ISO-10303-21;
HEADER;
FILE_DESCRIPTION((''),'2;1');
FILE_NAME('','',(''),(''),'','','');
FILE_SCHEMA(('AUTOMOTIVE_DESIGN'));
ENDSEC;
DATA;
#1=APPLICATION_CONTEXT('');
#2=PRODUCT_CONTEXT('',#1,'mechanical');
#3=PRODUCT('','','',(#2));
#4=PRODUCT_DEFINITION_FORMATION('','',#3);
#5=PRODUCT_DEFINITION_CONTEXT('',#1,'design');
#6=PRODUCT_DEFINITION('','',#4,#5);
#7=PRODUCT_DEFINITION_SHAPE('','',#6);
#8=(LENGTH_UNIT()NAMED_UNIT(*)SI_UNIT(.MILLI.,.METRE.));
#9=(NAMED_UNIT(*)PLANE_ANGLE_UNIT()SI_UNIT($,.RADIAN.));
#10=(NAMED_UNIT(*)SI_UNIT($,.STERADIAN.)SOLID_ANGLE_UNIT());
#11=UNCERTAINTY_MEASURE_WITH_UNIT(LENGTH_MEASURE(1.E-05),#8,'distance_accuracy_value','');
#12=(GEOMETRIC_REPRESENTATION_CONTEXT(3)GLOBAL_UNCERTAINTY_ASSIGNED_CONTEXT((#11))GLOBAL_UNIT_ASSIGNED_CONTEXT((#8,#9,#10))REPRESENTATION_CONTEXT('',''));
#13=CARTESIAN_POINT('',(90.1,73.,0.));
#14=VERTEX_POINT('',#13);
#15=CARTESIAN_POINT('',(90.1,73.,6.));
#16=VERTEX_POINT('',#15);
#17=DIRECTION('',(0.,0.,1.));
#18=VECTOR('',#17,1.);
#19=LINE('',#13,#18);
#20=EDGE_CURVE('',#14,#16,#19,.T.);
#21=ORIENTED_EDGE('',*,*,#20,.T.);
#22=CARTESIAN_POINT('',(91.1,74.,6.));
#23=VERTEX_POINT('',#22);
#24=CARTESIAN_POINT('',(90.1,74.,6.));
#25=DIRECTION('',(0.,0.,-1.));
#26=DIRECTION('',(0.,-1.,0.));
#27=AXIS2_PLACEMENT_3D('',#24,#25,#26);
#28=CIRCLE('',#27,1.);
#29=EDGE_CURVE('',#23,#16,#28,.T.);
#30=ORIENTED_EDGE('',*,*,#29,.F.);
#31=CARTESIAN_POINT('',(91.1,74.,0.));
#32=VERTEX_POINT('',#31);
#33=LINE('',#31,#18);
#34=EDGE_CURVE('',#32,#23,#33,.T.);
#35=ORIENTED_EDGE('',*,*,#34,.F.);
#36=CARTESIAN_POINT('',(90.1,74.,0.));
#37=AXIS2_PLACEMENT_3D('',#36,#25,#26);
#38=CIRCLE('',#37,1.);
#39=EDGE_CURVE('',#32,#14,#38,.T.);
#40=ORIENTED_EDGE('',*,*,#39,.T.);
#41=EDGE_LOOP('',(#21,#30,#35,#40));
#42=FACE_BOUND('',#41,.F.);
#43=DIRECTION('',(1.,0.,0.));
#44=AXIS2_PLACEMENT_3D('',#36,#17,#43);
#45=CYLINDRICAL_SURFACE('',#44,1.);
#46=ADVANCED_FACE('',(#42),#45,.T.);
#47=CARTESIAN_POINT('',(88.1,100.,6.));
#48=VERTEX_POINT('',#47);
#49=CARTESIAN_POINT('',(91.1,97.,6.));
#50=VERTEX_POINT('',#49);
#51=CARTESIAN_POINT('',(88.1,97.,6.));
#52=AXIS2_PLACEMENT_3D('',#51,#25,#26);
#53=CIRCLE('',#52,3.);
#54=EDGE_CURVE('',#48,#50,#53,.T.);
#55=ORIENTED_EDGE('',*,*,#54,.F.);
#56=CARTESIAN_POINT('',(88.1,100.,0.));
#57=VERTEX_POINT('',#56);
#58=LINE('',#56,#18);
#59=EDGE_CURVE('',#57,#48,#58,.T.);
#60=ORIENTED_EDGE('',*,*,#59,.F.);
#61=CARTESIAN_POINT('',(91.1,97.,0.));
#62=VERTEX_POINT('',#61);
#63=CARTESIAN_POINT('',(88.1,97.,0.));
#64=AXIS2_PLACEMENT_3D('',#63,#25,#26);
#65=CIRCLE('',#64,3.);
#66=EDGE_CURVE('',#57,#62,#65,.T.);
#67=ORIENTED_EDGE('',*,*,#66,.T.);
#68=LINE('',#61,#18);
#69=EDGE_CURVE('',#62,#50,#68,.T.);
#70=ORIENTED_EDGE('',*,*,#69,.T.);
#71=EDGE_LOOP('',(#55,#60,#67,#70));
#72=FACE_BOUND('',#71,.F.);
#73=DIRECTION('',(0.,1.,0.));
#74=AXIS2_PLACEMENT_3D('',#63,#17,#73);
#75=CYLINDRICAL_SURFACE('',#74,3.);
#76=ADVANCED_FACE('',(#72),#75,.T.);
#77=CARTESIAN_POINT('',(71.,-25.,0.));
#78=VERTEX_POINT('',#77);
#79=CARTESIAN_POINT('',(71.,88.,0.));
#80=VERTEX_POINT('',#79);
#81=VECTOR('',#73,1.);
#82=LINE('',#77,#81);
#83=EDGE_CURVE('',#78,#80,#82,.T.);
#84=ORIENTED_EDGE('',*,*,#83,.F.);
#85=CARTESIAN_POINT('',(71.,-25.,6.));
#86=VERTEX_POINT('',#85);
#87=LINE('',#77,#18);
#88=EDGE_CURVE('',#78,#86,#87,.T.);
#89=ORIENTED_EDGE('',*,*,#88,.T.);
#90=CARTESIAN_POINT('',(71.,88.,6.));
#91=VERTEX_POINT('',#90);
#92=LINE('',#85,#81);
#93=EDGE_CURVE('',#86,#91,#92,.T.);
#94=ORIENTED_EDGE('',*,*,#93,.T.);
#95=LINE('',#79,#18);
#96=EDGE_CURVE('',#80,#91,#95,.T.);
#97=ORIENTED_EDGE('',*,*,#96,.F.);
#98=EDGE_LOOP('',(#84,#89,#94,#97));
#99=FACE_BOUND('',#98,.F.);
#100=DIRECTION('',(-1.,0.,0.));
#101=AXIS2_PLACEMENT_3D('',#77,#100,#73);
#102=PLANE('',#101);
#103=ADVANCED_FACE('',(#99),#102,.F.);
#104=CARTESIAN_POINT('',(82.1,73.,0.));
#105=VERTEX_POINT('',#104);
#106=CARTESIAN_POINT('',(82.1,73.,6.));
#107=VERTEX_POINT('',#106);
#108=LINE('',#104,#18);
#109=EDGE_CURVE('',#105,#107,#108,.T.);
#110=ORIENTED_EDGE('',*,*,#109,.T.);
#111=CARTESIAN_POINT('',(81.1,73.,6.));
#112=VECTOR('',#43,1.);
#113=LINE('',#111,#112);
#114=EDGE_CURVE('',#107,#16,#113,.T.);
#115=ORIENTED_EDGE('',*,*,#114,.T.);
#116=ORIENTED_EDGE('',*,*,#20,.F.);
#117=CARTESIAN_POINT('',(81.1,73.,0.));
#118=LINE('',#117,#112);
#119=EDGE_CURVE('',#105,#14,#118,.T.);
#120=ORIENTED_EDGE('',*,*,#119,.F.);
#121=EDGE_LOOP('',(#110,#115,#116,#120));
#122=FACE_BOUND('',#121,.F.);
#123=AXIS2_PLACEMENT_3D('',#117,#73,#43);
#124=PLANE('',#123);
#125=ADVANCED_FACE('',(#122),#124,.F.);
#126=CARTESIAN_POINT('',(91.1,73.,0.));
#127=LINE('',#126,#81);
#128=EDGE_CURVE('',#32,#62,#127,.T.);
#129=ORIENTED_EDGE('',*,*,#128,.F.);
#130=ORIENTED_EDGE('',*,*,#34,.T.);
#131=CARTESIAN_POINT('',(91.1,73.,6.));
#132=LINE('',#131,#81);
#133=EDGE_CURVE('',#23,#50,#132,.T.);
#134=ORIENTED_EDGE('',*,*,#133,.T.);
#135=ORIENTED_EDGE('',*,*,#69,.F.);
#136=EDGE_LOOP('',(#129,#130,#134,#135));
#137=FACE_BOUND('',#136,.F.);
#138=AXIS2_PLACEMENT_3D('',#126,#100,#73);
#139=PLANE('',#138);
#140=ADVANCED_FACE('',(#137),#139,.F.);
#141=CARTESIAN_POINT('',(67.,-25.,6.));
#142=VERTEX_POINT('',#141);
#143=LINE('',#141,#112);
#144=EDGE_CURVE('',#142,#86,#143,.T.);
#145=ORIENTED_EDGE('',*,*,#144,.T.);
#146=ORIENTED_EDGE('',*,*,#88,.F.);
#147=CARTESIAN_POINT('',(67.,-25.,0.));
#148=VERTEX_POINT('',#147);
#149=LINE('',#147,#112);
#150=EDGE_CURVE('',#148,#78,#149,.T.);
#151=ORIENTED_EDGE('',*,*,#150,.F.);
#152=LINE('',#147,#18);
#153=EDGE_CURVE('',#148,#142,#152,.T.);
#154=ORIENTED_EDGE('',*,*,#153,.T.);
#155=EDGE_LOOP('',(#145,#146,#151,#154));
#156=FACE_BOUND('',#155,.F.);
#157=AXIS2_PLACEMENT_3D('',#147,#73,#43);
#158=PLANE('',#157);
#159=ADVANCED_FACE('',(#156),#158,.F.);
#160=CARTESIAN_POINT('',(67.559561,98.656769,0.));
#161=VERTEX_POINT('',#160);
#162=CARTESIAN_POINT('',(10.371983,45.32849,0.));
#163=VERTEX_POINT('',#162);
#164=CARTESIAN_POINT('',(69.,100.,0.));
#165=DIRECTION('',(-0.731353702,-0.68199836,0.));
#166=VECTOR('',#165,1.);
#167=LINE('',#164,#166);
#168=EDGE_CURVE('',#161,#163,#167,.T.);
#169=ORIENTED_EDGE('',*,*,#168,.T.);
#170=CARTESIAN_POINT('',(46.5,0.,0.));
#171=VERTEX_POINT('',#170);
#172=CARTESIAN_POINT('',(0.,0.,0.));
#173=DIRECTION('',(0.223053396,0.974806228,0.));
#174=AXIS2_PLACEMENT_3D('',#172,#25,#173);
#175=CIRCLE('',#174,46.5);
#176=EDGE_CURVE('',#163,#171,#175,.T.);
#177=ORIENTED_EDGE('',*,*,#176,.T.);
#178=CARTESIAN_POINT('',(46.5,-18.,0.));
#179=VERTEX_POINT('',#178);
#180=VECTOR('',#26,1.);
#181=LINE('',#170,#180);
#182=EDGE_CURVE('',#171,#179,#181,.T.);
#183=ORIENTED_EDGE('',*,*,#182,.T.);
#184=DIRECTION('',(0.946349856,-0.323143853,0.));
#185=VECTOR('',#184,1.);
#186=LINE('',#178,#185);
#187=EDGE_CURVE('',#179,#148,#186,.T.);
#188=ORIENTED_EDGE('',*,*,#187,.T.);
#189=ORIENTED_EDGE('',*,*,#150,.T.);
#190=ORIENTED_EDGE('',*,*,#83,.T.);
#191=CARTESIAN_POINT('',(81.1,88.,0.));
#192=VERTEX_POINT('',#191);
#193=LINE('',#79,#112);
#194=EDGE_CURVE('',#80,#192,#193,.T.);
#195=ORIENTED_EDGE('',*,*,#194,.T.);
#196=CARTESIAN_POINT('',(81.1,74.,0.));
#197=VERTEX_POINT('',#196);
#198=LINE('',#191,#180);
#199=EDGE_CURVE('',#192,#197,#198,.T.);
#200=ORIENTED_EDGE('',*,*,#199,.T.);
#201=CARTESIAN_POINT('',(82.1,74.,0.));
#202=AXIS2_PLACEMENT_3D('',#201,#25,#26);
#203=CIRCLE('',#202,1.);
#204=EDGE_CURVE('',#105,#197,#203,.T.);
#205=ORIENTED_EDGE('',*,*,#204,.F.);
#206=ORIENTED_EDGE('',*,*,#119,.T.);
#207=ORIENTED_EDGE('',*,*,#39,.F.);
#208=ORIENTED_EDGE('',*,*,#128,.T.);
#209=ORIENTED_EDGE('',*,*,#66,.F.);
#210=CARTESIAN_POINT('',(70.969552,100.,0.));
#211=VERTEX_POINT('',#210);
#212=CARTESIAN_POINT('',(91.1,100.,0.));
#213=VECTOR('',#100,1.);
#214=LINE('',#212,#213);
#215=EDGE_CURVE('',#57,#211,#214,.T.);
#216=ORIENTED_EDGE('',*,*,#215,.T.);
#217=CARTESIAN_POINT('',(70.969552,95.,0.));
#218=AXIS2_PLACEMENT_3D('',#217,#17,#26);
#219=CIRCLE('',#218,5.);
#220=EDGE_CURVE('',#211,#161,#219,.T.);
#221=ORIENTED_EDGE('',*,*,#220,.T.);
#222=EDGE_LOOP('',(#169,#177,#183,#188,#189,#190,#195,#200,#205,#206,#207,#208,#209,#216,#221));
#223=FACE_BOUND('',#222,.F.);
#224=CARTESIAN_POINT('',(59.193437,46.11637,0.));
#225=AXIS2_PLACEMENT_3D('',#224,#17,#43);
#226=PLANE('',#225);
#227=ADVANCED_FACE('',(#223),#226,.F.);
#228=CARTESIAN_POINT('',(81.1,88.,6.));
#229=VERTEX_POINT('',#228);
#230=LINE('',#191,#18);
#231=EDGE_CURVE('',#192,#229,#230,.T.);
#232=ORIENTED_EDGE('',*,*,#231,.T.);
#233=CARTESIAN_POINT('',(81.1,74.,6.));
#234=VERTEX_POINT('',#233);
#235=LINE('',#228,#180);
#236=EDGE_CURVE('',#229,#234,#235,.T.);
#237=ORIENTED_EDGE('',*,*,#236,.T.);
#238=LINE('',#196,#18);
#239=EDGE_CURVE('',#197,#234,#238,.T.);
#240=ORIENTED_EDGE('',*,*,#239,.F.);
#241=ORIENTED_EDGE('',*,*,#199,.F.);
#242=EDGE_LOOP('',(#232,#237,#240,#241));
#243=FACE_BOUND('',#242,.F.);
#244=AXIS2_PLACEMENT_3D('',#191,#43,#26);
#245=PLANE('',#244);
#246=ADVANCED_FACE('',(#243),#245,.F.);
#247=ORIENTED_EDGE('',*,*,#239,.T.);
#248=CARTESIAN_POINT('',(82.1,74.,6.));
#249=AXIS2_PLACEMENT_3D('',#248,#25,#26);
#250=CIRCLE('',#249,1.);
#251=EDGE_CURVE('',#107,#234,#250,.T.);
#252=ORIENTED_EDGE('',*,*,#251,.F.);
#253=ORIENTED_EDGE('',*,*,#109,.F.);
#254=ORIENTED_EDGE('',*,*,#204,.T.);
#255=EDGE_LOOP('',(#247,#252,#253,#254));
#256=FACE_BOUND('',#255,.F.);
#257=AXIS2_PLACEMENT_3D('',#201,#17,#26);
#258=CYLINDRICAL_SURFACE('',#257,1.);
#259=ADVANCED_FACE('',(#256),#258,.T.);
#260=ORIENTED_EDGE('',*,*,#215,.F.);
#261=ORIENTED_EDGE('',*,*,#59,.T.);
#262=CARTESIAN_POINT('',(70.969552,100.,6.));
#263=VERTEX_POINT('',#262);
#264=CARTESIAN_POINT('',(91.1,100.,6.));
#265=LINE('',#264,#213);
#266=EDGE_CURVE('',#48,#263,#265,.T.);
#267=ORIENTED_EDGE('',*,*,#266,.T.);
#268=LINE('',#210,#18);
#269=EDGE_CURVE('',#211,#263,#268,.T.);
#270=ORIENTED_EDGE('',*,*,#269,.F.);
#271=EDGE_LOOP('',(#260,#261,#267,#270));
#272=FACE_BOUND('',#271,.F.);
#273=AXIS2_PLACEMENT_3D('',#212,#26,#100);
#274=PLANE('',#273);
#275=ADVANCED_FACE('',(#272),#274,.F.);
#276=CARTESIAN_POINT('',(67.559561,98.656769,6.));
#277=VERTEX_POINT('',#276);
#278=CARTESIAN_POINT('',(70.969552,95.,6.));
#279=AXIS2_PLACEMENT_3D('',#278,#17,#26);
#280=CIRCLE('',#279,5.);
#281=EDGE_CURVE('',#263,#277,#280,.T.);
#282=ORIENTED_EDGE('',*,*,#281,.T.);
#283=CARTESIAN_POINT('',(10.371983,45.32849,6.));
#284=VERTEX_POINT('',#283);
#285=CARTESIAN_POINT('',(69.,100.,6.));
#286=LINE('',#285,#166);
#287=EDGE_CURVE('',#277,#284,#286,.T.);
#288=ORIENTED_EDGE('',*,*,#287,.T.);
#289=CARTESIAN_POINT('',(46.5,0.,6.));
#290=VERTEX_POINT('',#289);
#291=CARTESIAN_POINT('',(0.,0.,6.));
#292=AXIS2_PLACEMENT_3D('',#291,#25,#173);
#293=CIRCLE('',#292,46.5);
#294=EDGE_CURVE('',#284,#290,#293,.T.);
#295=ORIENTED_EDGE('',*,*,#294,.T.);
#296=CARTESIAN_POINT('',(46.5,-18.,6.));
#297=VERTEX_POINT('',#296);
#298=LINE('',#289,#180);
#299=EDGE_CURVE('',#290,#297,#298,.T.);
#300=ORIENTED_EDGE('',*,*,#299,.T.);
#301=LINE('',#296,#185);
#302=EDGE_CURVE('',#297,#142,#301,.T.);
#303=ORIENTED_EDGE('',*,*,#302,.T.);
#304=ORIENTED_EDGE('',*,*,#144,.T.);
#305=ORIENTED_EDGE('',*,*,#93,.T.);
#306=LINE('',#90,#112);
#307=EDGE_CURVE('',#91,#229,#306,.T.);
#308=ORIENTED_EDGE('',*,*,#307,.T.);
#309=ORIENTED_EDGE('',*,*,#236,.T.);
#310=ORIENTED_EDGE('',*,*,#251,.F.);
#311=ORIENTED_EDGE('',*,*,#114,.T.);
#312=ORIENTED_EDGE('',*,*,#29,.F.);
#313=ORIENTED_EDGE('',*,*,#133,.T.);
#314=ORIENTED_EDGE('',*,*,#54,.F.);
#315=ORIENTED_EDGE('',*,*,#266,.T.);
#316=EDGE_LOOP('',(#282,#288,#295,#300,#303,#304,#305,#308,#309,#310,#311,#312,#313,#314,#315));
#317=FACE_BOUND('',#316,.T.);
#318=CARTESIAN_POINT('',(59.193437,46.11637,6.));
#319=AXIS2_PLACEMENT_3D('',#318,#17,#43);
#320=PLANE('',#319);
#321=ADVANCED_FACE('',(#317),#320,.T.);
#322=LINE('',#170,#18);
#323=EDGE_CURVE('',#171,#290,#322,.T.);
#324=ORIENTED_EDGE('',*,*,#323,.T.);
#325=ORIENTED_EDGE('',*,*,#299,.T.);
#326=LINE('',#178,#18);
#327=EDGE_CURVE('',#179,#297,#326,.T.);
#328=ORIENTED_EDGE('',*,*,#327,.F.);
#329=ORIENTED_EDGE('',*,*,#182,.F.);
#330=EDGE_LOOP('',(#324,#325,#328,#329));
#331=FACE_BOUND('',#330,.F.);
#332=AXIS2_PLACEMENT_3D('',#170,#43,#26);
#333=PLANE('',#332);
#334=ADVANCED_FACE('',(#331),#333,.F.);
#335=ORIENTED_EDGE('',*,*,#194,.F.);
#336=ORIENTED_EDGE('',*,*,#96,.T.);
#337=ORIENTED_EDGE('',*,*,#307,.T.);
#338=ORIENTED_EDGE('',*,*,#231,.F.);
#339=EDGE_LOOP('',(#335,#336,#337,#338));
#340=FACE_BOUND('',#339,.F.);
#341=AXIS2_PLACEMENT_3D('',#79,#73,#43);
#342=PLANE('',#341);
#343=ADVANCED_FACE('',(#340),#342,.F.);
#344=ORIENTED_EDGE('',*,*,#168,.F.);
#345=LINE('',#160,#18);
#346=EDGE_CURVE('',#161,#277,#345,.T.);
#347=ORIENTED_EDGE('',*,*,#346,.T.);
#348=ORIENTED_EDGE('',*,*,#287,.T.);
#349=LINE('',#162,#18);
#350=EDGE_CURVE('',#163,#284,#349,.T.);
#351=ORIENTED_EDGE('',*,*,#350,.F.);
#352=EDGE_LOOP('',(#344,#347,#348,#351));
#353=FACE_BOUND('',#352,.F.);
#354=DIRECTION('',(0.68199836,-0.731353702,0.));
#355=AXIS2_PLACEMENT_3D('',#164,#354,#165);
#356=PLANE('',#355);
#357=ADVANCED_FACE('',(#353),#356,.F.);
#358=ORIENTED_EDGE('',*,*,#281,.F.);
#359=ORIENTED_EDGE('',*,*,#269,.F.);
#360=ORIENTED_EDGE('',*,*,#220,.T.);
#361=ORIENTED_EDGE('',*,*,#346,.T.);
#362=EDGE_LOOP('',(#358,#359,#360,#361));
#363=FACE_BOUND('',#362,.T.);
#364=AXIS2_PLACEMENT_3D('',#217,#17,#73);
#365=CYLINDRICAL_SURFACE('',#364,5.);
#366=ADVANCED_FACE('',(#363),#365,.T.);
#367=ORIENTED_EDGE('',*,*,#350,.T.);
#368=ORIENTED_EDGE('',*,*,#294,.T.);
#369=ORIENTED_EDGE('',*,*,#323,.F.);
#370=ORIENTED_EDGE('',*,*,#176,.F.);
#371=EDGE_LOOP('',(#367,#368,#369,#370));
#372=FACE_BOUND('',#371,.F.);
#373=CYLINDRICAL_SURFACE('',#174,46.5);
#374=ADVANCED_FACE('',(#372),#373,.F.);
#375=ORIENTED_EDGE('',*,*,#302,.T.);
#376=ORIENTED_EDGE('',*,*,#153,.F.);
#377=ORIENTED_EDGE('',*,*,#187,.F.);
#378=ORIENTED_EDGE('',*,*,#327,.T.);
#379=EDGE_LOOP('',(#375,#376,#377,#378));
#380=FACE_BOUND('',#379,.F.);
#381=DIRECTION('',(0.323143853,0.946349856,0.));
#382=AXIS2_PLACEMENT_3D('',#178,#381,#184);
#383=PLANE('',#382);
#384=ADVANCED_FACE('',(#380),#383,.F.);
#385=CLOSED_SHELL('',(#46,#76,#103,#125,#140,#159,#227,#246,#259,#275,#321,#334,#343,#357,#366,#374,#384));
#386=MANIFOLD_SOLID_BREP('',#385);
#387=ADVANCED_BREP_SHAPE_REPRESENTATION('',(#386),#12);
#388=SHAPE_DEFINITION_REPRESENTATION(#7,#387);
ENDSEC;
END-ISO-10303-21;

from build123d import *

# Parameters (mm, degrees)
BOSS_EXTRU_1_DEPTH = 6
FILLET1_R          = 5
FILLET1_2_R        = 3
FILLET1_3_R        = 1


with BuildPart() as part:
    # Esquisse1 → Boss.-Extru.1 (new body)
    with BuildSketch(Plane.XY):
        with BuildLine():
            Line((46.5, 0), (46.5, -18))
            Line((46.5, -18), (67, -25))
            Line((67, -25), (71, -25))
            Line((71, -25), (71, 88))
            Line((71, 88), (81.1, 88))
            Line((81.1, 88), (81.1, 73))
            Line((81.1, 73), (91.1, 73))
            Line((91.1, 73), (91.1, 100))
            Line((91.1, 100), (69, 100))
            Line((69, 100), (10.371982926, 45.328489608))
            ThreePointArc((10.371982926, 45.328489608), (36.363080219, 28.982346298), (46.5, 0))
        make_face()
    extrude(amount=BOSS_EXTRU_1_DEPTH)

    # Fillet1
    fillet1_edges = [part.edges().sort_by_distance(p)[0] for p in [
        (69, 100, 3),
    ]]
    fillet(fillet1_edges, radius=FILLET1_R)

    # Fillet1 2
    fillet1_2_edges = [part.edges().sort_by_distance(p)[0] for p in [
        (91.1, 100, 3),
    ]]
    fillet(fillet1_2_edges, radius=FILLET1_2_R)

    # Fillet1 3
    fillet1_3_edges = [part.edges().sort_by_distance(p)[0] for p in [
        (91.1, 73, 3),
        (81.1, 73, 3),
    ]]
    fillet(fillet1_3_edges, radius=FILLET1_3_R)


solid = part.part
